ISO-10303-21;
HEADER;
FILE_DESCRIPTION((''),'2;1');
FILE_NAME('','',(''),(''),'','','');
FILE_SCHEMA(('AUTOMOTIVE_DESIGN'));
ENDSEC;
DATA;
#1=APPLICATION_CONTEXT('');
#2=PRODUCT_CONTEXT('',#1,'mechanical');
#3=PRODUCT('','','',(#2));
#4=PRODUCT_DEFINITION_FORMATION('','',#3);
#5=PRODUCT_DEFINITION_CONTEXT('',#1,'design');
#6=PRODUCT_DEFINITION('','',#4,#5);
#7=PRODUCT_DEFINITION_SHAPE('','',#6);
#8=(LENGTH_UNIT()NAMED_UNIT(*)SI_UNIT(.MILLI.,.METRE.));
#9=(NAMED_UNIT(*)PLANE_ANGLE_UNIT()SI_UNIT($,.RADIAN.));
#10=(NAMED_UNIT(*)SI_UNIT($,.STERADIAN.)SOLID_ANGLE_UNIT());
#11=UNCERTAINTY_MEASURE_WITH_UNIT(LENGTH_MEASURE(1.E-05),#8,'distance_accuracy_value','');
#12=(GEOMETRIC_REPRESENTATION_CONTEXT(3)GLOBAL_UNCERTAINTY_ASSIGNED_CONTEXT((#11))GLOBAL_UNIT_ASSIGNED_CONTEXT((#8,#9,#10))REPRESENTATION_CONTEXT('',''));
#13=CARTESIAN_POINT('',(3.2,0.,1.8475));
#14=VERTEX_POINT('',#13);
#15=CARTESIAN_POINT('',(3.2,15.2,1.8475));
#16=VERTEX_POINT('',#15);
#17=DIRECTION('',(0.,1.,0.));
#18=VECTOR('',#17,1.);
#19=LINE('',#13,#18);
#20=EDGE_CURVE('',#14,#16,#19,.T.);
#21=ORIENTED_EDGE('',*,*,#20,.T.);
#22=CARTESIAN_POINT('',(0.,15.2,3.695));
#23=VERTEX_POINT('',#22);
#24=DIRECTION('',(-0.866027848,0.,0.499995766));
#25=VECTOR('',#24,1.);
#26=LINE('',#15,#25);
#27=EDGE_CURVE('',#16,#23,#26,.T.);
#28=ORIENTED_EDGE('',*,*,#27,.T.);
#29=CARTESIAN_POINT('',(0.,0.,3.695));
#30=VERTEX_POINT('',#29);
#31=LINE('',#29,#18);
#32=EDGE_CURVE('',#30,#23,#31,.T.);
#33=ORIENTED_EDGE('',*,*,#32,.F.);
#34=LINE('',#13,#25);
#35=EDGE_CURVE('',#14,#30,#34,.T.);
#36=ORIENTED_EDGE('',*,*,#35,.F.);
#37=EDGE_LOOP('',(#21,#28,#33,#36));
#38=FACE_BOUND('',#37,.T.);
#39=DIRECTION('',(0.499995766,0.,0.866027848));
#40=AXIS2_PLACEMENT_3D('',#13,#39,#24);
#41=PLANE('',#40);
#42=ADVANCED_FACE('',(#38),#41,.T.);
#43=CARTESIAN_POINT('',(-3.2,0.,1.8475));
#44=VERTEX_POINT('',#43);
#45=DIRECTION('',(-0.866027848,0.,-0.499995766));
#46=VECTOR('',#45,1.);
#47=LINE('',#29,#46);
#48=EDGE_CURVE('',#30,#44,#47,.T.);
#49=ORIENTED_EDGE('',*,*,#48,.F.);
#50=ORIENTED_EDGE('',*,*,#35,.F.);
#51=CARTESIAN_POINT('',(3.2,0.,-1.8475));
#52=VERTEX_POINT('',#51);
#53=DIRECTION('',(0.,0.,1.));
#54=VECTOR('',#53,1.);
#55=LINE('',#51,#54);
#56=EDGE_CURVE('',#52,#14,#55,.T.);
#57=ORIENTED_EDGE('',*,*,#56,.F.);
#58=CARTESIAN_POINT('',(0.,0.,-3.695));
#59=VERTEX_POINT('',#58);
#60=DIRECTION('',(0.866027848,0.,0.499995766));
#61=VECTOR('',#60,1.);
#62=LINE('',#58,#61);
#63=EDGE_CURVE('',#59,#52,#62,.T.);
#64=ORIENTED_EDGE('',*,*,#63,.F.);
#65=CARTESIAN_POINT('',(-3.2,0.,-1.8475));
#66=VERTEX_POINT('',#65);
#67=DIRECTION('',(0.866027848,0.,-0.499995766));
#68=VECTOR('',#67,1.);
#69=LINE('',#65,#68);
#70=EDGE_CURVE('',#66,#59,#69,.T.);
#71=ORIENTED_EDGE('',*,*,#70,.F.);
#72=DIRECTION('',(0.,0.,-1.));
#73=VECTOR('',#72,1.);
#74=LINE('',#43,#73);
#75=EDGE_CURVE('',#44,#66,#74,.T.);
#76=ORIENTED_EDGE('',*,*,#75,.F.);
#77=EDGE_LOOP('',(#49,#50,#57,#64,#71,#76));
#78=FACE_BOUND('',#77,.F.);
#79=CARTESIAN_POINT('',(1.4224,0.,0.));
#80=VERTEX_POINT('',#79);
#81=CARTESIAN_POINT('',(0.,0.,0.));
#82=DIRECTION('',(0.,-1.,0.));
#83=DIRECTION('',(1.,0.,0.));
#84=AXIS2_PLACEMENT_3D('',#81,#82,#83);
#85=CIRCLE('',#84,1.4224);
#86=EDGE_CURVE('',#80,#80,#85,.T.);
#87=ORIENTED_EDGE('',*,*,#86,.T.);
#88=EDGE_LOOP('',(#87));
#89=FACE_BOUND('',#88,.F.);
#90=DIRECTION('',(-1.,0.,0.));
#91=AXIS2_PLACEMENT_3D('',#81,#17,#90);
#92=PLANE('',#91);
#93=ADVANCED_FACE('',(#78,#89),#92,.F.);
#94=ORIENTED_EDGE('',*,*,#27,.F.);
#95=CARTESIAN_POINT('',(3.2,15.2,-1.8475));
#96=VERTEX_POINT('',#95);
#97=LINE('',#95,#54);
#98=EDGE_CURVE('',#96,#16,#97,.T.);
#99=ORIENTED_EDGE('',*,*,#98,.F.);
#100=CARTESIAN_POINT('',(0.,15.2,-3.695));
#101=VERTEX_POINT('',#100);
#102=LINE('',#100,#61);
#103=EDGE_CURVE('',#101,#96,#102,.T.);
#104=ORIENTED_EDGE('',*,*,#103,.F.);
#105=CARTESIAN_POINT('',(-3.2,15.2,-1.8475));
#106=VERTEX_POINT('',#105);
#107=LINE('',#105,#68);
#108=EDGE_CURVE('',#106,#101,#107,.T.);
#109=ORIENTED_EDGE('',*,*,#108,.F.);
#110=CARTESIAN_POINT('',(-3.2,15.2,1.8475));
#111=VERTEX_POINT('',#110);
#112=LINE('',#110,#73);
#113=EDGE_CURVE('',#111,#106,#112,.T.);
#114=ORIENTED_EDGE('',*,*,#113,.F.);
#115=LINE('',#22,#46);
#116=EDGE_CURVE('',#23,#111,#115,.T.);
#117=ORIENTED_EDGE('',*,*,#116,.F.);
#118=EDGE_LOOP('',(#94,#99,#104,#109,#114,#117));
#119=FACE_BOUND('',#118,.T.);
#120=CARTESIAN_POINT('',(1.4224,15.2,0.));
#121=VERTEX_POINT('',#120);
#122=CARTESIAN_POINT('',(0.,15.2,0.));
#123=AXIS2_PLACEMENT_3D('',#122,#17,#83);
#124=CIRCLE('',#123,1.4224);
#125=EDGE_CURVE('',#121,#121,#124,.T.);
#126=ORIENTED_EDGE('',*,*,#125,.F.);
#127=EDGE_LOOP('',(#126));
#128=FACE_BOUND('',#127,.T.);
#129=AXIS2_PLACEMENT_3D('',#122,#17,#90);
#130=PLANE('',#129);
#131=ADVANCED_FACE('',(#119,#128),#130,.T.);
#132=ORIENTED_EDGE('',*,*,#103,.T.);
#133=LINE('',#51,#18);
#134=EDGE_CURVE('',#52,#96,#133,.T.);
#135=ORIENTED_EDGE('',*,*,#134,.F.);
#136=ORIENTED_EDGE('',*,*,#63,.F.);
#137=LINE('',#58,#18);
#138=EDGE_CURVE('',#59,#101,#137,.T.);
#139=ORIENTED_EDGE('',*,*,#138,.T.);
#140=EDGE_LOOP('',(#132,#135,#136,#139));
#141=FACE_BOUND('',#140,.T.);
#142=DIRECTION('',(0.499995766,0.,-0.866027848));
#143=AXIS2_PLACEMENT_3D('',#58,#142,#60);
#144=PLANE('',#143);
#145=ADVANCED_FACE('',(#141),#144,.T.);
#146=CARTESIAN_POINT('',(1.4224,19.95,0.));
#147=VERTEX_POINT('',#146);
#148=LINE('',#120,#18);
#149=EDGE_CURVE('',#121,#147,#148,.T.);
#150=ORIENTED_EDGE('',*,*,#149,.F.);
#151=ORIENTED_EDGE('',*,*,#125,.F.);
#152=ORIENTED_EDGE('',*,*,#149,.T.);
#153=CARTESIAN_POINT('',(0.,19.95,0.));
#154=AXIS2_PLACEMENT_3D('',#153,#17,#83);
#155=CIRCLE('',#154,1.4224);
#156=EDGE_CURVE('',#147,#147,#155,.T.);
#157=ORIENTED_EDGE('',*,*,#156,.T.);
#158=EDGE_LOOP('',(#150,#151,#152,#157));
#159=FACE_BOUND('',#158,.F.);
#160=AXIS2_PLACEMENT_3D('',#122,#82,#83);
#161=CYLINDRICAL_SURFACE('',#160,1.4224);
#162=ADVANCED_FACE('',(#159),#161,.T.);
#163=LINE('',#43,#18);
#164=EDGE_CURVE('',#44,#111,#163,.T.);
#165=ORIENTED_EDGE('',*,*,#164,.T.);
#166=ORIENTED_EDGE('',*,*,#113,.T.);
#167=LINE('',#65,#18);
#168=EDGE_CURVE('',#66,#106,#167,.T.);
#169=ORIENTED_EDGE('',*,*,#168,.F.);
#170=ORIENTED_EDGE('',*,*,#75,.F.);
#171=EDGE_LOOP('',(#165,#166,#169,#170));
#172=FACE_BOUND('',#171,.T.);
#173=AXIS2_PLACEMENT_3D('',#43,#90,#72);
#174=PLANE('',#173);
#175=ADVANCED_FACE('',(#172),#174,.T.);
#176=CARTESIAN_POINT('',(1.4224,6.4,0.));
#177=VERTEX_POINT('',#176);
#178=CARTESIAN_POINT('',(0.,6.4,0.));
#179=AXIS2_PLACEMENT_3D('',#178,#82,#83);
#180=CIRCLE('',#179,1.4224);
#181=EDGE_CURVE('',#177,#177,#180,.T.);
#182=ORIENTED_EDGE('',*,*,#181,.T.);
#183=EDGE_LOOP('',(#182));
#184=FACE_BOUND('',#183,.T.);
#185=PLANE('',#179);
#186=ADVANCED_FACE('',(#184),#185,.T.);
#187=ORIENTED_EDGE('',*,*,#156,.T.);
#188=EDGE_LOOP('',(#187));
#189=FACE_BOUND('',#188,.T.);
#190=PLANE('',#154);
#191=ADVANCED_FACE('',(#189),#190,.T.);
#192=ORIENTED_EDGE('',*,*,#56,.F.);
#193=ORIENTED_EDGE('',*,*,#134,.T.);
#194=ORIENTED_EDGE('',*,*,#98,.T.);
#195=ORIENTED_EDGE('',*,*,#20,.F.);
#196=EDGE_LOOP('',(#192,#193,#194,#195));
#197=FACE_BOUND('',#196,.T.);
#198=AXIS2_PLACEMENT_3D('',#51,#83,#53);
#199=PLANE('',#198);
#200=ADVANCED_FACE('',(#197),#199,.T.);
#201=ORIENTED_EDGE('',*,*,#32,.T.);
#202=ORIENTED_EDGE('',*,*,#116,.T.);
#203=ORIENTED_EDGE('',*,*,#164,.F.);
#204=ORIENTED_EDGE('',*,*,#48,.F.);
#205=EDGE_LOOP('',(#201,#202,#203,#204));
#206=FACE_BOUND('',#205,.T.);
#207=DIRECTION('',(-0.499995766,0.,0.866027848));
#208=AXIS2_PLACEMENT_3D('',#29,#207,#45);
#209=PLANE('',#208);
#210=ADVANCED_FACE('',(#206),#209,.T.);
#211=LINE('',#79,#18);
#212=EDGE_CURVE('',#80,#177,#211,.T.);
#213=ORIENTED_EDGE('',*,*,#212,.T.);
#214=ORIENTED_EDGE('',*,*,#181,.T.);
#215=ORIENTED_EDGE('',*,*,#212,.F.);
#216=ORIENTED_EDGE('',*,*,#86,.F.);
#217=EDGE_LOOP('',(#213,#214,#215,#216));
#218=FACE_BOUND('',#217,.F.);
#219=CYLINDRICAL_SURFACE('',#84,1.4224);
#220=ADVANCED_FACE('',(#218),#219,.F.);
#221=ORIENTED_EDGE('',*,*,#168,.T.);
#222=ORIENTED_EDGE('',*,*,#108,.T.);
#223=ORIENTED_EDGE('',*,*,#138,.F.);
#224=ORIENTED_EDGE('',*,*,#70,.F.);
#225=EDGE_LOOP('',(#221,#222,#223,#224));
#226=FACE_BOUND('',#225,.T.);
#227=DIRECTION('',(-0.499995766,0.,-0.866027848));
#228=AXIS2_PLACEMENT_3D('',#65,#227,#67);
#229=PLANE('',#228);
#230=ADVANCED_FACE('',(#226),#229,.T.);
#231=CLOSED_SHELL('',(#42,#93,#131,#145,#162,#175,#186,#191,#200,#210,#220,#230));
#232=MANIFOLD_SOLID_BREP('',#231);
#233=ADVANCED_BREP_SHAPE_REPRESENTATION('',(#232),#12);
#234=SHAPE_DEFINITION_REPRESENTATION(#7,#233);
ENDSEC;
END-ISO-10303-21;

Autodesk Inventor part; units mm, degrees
ref_plane "YZ Plane" through (0, 0, 0) normal (1, 0, 0) x (0, 1, 0)
ref_plane "XZ Plane" through (0, 0, 0) normal (0, 1, 0) x (-1, 0, 0)
ref_plane "XY Plane" through (0, 0, 0) normal (0, 0, 1) x (1, 0, 0)
sketch "Sketch1" plane through (0, 0, 0) normal (0, 1, 0) x (-1, 0, 0)
  line L0 (3.2, 1.8475) -> (3.2, -1.8475)
  line L1 (3.2, -1.8475) -> (0, -3.695)
  line L2 (0, -3.695) -> (-3.2, -1.8475)
  line L3 (-3.2, -1.8475) -> (-3.2, 1.8475)
  line L4 (-3.2, 1.8475) -> (0, 3.695)
  line L5 (0, 3.695) -> (3.2, 1.8475)
  point P0 (0, 0)
  point P1 (3.2, 0)
  point P2 (-3.2, 0)
  dimension "d0" = 6.4
  dimension "d1" = 120
  dimension "d2" = 6.4
extrude "Extrusion1" add sketch "Sketch1" along normal blind 15.2
sketch "Sketch3" plane through (0, 0, 0) normal (0, -1, 0) x (1, 0, 0)
  circle A0 centre (0, 0) radius 1.4224
  dimension "d8" = 2.8448
extrude "Extrusion3" cut sketch "Sketch3" against normal blind 6.4
sketch "Sketch4" plane through (0, 15.2, 0) normal (0, 1, 0) x (1, 0, 0)
  circle A0 centre (0, 0) radius 1.4224 projected
extrude "Extrusion4" add sketch "Sketch4" along normal blind 4.75
properties part number "pc104standoff" material "Stainless Steel"
